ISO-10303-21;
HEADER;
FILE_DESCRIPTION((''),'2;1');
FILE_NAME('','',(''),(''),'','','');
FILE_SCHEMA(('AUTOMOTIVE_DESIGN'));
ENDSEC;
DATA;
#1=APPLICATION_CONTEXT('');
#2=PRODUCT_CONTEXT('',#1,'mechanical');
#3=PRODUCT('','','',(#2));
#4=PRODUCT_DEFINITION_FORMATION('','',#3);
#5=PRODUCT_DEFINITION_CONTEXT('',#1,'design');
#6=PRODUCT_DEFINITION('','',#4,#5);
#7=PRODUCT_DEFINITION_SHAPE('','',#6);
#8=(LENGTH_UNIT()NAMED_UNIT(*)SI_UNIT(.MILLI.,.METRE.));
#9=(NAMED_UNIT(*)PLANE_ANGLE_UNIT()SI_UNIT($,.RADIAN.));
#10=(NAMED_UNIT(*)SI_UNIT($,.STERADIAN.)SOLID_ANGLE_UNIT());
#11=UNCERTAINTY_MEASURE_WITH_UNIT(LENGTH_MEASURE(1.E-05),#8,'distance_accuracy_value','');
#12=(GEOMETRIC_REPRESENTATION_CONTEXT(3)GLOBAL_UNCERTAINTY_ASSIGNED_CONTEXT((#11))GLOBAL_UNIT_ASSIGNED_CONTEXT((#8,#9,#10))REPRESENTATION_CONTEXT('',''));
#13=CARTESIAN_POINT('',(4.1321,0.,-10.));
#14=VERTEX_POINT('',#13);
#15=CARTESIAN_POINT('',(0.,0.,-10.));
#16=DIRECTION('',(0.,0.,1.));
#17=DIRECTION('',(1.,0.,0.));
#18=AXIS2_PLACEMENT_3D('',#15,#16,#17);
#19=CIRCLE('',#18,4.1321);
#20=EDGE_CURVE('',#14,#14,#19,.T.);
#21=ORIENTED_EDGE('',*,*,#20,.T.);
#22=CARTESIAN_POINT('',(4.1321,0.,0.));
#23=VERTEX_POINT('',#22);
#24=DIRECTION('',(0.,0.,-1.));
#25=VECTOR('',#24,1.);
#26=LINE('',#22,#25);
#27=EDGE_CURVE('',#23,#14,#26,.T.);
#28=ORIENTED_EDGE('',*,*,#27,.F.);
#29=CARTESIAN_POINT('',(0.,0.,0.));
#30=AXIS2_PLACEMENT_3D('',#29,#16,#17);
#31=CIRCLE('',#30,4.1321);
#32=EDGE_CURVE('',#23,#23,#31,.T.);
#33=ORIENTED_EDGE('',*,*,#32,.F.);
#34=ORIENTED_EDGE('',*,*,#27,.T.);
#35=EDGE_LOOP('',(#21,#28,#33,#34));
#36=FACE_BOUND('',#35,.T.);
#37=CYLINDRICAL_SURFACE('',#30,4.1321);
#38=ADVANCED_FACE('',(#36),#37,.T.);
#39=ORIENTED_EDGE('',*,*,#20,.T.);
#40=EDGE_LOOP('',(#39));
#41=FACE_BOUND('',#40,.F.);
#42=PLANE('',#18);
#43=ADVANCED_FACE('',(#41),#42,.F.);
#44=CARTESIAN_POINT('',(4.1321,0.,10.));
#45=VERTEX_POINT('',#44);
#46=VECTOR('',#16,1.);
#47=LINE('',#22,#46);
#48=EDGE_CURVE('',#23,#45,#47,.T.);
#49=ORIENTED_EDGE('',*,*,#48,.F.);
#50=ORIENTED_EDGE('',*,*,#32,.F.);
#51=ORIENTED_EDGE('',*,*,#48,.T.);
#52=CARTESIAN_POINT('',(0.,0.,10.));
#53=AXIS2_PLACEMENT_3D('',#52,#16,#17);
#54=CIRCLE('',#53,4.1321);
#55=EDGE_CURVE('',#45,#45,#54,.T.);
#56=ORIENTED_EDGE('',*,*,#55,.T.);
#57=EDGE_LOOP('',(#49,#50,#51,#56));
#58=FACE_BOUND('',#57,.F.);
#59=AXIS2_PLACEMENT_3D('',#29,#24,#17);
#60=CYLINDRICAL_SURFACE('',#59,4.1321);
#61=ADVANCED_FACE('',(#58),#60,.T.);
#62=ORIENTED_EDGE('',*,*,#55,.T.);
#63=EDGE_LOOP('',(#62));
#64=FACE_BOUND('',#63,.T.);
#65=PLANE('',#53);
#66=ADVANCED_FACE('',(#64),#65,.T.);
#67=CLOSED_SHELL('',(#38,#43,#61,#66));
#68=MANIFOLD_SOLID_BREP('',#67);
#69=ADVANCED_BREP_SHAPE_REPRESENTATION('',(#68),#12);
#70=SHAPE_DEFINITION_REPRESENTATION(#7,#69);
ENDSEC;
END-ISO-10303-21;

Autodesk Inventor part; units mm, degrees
ref_plane "YZ Plane" through (0, 0, 0) normal (1, 0, 0) x (0, 1, 0)
ref_plane "XZ Plane" through (0, 0, 0) normal (0, 1, 0) x (-1, 0, 0)
ref_plane "XY Plane" through (0, 0, 0) normal (0, 0, 1) x (1, 0, 0)
sketch "Sketch1" plane through (0, 0, 0) normal (0, 0, 1) x (1, 0, 0)
  circle A0 centre (0, 0) radius 4.1321
  dimension "Diameter" = 8.2642
extrude "Extrusion1" add sketch "Sketch1" along normal mid plane 20
properties part number "Mold Design Stop Pin_"
